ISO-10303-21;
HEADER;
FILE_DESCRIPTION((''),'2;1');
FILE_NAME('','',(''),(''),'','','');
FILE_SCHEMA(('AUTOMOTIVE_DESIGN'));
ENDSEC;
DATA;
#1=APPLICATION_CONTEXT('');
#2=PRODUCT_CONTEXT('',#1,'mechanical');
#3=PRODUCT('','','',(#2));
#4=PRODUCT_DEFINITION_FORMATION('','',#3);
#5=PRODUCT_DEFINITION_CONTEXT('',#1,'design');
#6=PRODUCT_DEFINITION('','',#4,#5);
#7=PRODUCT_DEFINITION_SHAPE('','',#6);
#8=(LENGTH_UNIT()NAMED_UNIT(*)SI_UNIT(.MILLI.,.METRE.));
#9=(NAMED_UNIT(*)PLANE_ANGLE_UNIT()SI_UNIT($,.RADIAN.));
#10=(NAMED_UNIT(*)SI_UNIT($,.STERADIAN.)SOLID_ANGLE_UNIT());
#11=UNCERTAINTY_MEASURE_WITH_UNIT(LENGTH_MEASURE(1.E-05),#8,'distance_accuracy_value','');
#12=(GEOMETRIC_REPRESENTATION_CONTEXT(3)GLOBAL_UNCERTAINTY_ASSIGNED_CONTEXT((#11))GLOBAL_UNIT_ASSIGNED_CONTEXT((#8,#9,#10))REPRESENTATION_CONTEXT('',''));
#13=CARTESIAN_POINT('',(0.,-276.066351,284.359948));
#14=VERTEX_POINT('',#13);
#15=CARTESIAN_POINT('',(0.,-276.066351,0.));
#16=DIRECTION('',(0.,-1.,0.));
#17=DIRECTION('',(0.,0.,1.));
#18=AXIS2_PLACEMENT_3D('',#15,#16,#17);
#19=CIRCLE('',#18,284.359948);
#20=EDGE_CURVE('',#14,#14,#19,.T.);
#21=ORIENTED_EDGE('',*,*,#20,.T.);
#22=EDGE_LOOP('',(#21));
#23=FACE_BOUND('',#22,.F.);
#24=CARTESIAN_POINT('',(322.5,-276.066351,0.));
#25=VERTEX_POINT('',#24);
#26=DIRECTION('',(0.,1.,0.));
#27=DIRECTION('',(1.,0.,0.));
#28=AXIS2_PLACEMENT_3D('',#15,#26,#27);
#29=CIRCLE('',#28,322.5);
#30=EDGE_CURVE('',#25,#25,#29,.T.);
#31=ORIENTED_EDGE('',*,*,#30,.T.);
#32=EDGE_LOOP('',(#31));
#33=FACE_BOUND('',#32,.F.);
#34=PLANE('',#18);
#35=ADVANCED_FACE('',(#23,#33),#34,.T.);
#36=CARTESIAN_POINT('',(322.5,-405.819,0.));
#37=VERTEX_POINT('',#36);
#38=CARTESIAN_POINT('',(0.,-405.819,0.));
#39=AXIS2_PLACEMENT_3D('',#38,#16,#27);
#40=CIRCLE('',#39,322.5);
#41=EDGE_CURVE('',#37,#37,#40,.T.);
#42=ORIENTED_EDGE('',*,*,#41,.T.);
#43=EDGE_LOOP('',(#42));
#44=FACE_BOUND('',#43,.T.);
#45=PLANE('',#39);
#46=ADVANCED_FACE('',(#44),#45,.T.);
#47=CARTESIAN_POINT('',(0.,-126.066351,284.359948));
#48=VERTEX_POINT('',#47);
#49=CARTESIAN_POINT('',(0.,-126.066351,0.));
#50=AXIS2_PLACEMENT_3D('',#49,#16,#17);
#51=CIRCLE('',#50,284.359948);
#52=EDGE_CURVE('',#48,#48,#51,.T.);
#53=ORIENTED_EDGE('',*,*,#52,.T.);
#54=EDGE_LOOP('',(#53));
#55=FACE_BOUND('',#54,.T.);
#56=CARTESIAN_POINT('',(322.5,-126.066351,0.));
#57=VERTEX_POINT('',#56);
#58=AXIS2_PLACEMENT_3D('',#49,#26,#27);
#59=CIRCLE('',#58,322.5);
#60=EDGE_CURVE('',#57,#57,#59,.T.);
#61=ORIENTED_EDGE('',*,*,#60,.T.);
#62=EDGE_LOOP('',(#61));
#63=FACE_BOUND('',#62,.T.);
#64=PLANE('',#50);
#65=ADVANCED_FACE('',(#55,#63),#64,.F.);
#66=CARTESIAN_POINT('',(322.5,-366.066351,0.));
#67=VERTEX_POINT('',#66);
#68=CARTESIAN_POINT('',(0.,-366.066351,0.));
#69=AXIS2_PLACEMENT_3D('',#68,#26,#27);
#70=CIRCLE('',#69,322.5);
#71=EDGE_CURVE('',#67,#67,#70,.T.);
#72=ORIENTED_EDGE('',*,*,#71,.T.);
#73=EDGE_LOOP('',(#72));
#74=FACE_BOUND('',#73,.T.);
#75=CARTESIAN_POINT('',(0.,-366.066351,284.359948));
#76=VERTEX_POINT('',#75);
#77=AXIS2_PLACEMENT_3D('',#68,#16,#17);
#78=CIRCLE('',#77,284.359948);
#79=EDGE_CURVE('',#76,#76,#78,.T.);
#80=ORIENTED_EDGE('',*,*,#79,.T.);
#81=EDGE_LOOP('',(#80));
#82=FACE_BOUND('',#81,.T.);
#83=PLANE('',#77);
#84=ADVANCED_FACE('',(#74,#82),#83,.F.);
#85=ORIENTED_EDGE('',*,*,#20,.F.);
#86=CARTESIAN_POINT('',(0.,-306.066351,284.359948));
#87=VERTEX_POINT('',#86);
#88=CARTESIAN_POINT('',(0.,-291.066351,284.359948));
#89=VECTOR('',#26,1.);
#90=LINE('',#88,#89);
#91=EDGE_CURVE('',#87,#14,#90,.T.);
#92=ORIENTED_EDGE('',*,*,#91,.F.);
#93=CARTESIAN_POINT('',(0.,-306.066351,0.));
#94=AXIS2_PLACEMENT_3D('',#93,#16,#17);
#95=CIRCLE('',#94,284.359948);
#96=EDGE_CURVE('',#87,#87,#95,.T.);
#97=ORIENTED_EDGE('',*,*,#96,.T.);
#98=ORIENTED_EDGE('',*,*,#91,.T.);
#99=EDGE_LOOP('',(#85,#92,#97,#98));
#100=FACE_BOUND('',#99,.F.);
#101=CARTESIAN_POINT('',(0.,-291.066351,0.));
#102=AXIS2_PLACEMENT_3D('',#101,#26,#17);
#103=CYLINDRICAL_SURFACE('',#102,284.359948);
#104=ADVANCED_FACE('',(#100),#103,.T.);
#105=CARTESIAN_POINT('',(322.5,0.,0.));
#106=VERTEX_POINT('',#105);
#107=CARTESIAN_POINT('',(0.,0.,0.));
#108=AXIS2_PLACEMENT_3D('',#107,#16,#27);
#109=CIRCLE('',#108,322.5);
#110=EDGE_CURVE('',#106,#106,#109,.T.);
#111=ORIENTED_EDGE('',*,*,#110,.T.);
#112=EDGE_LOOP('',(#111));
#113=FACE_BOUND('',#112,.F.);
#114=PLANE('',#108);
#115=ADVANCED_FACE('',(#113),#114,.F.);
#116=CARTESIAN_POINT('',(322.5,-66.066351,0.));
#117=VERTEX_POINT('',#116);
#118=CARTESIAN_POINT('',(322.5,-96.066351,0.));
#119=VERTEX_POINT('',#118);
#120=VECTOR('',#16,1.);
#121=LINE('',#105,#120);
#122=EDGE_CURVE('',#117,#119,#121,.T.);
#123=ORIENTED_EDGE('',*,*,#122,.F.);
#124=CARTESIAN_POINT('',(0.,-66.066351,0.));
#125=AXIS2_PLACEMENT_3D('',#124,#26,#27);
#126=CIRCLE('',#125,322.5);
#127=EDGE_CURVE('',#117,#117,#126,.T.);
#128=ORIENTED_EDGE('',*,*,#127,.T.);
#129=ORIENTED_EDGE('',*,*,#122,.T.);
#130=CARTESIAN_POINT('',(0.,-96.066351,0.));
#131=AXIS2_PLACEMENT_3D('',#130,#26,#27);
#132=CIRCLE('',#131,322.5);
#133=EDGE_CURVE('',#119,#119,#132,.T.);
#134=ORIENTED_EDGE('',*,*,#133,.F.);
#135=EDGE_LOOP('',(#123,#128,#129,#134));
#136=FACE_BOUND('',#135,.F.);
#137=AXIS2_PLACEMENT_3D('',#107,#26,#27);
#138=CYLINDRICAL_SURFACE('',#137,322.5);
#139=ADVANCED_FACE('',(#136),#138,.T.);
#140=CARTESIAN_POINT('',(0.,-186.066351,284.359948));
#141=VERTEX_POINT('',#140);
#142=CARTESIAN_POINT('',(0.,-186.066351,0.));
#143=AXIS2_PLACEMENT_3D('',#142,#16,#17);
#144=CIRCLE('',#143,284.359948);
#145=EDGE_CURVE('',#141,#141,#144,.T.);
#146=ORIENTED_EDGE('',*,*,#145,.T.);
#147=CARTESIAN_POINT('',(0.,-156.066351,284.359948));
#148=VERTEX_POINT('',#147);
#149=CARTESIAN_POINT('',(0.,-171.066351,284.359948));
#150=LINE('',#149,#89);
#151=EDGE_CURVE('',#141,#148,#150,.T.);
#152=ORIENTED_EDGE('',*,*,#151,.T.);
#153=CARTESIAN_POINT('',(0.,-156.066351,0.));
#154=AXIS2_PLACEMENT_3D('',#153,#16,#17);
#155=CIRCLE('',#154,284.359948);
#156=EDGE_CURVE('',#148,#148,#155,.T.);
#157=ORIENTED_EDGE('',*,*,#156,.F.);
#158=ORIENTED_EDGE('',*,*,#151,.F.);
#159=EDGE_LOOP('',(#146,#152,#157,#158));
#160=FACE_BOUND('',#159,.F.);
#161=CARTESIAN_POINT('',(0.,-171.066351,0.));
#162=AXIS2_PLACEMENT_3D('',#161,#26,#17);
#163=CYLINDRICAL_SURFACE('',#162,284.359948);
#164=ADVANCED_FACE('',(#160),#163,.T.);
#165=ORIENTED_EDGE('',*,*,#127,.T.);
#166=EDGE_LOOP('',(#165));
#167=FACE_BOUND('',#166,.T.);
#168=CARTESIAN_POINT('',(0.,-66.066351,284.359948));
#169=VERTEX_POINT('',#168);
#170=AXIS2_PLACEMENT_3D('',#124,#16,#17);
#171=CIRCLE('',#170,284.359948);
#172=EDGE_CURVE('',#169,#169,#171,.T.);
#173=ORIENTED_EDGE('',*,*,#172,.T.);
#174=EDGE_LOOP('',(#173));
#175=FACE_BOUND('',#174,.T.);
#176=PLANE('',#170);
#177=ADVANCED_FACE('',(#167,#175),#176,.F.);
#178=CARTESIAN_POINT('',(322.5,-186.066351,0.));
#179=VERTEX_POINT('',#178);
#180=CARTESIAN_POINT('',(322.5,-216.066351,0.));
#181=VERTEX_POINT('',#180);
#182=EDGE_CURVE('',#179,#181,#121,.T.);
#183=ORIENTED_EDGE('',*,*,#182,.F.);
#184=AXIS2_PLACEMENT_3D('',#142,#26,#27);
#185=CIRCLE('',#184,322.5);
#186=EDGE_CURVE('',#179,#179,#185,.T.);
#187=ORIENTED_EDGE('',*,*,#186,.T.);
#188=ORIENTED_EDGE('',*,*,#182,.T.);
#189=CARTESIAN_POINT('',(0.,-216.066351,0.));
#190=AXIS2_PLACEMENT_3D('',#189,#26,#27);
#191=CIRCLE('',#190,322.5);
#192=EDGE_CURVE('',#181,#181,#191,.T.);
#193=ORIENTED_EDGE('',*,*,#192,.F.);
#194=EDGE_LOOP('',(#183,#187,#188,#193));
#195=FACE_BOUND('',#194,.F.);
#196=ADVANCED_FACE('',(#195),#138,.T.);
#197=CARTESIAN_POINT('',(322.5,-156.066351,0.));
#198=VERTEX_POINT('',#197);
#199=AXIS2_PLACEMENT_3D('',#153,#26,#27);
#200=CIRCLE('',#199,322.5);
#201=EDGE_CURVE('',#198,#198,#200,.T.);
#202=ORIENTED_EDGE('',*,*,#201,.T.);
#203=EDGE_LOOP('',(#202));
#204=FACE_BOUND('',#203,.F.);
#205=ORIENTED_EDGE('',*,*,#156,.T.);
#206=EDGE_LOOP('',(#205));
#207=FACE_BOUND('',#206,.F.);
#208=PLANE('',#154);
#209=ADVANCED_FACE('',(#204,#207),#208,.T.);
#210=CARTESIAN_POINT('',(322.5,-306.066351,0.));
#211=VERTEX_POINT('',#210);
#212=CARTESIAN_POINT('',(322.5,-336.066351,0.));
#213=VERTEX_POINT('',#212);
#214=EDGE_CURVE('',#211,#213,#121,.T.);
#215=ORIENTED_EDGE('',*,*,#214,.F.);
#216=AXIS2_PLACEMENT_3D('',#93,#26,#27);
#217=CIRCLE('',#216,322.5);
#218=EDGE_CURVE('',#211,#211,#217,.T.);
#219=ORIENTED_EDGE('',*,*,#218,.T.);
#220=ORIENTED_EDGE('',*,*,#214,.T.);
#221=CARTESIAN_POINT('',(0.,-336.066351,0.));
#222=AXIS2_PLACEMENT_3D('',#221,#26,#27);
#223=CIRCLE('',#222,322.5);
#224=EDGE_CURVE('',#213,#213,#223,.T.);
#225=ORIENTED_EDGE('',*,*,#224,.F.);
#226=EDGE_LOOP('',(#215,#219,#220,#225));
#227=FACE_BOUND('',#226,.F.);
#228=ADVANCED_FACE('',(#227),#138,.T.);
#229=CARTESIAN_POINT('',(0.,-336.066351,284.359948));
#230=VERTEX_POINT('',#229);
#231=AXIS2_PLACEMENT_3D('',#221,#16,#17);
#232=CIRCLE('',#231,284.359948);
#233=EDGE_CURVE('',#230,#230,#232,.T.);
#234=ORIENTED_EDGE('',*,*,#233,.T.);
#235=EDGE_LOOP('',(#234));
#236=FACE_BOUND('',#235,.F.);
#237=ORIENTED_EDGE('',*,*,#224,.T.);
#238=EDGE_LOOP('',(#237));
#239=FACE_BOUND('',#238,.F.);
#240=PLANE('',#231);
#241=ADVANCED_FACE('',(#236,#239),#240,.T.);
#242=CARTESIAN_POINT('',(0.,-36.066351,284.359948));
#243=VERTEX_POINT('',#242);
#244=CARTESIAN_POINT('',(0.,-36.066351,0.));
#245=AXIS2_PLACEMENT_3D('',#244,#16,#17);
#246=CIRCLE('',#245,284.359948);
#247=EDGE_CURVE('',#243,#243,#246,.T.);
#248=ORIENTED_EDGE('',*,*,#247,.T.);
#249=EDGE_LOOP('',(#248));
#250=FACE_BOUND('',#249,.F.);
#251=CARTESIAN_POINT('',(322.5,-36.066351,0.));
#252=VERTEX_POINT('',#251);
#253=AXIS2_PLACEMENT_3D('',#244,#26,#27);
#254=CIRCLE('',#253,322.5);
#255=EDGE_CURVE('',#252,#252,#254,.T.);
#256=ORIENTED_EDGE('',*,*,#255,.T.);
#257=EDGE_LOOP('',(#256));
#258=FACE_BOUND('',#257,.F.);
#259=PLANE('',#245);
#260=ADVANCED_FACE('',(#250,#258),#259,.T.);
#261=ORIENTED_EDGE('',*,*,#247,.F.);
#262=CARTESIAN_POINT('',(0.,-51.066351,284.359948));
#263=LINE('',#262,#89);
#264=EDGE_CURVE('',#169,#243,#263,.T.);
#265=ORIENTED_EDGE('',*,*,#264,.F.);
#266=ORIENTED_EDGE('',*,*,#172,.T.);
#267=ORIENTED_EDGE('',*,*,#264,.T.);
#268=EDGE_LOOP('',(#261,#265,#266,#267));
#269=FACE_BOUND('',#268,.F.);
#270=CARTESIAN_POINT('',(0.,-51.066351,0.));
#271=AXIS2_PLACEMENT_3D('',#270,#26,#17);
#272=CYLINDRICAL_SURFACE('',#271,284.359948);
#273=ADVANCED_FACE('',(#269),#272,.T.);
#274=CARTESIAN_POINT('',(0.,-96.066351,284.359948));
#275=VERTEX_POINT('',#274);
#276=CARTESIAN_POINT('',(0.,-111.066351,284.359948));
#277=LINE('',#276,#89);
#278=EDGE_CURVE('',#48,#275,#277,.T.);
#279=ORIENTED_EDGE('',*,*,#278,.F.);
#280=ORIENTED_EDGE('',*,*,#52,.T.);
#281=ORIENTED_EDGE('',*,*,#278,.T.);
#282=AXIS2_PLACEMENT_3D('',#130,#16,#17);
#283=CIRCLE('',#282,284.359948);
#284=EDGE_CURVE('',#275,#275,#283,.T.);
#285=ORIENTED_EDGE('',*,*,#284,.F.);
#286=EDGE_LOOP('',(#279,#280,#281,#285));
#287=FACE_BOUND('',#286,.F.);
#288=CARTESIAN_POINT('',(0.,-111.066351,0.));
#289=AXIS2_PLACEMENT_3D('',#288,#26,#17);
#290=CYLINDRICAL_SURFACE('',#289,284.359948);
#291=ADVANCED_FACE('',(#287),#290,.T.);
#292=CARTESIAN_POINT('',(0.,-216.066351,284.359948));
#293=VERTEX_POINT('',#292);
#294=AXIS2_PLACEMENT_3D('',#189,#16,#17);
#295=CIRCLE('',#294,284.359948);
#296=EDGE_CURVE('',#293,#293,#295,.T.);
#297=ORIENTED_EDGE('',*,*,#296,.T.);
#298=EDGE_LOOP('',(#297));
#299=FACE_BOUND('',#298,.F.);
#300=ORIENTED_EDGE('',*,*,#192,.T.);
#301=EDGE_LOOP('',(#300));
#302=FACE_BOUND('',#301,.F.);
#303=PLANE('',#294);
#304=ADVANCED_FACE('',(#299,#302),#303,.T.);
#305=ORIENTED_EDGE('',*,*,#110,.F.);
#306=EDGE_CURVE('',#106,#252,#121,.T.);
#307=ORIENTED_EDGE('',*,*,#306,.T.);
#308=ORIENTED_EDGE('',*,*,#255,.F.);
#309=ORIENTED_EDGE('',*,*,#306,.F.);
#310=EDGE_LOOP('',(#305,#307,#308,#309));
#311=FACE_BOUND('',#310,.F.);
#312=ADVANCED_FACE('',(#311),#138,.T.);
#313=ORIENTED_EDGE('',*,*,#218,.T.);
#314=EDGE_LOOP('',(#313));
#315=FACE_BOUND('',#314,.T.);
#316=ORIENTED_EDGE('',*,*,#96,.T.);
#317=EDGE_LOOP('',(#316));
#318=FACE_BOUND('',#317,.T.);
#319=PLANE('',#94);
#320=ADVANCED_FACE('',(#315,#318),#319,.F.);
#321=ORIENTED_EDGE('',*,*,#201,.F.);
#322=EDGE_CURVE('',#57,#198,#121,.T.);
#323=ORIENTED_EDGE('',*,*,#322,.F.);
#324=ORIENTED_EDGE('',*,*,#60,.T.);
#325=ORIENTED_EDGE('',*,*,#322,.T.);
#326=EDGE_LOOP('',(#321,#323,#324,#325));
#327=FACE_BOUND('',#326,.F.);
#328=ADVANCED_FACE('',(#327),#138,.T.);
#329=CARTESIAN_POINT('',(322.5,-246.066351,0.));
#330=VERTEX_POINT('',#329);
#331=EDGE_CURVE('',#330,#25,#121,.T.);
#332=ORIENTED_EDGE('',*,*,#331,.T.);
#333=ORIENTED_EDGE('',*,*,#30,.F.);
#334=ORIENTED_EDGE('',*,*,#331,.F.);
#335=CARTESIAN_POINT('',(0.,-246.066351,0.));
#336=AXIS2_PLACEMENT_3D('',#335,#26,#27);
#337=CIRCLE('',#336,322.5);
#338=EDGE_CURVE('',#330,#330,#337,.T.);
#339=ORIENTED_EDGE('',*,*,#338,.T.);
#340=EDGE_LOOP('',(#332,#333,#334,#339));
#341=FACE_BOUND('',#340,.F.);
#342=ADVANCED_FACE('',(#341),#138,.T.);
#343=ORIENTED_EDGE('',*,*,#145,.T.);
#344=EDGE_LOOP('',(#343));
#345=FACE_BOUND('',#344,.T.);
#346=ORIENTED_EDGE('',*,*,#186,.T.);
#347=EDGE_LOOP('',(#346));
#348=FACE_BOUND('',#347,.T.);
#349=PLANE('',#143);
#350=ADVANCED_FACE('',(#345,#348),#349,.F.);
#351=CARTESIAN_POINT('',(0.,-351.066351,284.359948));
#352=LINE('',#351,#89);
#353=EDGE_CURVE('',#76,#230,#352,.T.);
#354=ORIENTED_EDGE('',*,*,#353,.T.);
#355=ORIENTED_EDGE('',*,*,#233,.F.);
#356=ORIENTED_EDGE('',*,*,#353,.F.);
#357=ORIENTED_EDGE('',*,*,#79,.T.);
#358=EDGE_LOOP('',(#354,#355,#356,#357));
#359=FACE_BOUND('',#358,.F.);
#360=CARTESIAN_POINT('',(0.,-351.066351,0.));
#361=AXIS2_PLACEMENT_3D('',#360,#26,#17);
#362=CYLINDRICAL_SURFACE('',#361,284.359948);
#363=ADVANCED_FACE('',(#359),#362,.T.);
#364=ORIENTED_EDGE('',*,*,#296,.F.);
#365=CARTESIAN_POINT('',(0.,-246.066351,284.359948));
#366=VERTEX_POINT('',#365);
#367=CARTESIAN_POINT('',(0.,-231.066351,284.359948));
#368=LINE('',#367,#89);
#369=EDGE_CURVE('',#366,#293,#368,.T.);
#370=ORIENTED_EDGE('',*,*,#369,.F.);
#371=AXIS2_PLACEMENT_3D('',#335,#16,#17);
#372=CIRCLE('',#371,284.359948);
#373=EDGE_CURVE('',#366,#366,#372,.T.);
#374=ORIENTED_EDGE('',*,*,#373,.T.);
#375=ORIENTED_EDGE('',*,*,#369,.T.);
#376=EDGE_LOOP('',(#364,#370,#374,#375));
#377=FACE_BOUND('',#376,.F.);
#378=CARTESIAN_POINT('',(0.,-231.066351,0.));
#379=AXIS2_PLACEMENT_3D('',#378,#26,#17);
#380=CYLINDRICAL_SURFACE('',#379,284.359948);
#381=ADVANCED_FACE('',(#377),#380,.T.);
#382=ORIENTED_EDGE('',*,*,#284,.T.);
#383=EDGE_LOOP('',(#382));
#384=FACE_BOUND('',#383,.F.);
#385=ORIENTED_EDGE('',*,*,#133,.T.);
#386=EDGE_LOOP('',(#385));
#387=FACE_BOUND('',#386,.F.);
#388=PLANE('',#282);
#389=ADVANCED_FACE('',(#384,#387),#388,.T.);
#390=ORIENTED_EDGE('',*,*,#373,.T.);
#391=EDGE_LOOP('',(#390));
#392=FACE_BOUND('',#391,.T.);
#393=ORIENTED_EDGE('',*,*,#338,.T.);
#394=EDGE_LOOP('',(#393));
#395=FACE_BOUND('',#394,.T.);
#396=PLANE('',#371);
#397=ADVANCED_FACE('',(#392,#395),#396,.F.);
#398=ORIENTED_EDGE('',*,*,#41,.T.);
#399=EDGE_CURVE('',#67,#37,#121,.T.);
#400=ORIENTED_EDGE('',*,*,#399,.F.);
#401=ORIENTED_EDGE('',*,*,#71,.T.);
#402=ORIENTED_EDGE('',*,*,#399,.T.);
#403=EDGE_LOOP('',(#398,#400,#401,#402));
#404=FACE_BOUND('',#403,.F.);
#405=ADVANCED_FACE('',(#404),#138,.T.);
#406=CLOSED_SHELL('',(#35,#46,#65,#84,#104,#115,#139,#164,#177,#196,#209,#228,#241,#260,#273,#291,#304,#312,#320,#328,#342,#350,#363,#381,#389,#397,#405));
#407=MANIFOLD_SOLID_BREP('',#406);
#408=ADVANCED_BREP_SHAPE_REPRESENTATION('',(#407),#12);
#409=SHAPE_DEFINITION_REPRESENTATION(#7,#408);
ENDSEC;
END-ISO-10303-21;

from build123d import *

# Parameters (mm, degrees)
F0_R     = 322.5
F1_DEPTH = 405.819
F2_W     = 30
F2_H     = 56.153832


with BuildPart() as f1:
    # F0 (on Front) → F1 (new body)
    with BuildSketch(Plane.XZ):
        Circle(F0_R)
    extrude(amount=F1_DEPTH)

    # F2 (on Right) → F3 (revolve, cut)
    with BuildSketch(Plane.YZ):
        with Locations((-351.066351, 312.436864)):
            Rectangle(F2_W, F2_H)
        with Locations((-291.066351, 312.436864)):
            Rectangle(F2_W, F2_H)
        with Locations((-231.066351, 312.436864)):
            Rectangle(F2_W, F2_H)
        with Locations((-171.066351, 312.436864)):
            Rectangle(F2_W, F2_H)
        with Locations((-111.066351, 312.436864)):
            Rectangle(F2_W, F2_H)
        with Locations((-51.066351, 312.436864)):
            Rectangle(F2_W, F2_H)
    revolve(axis=Axis((0, -241.306737, 0), (0, -1, 0)), mode=Mode.SUBTRACT)


solid = f1.part
